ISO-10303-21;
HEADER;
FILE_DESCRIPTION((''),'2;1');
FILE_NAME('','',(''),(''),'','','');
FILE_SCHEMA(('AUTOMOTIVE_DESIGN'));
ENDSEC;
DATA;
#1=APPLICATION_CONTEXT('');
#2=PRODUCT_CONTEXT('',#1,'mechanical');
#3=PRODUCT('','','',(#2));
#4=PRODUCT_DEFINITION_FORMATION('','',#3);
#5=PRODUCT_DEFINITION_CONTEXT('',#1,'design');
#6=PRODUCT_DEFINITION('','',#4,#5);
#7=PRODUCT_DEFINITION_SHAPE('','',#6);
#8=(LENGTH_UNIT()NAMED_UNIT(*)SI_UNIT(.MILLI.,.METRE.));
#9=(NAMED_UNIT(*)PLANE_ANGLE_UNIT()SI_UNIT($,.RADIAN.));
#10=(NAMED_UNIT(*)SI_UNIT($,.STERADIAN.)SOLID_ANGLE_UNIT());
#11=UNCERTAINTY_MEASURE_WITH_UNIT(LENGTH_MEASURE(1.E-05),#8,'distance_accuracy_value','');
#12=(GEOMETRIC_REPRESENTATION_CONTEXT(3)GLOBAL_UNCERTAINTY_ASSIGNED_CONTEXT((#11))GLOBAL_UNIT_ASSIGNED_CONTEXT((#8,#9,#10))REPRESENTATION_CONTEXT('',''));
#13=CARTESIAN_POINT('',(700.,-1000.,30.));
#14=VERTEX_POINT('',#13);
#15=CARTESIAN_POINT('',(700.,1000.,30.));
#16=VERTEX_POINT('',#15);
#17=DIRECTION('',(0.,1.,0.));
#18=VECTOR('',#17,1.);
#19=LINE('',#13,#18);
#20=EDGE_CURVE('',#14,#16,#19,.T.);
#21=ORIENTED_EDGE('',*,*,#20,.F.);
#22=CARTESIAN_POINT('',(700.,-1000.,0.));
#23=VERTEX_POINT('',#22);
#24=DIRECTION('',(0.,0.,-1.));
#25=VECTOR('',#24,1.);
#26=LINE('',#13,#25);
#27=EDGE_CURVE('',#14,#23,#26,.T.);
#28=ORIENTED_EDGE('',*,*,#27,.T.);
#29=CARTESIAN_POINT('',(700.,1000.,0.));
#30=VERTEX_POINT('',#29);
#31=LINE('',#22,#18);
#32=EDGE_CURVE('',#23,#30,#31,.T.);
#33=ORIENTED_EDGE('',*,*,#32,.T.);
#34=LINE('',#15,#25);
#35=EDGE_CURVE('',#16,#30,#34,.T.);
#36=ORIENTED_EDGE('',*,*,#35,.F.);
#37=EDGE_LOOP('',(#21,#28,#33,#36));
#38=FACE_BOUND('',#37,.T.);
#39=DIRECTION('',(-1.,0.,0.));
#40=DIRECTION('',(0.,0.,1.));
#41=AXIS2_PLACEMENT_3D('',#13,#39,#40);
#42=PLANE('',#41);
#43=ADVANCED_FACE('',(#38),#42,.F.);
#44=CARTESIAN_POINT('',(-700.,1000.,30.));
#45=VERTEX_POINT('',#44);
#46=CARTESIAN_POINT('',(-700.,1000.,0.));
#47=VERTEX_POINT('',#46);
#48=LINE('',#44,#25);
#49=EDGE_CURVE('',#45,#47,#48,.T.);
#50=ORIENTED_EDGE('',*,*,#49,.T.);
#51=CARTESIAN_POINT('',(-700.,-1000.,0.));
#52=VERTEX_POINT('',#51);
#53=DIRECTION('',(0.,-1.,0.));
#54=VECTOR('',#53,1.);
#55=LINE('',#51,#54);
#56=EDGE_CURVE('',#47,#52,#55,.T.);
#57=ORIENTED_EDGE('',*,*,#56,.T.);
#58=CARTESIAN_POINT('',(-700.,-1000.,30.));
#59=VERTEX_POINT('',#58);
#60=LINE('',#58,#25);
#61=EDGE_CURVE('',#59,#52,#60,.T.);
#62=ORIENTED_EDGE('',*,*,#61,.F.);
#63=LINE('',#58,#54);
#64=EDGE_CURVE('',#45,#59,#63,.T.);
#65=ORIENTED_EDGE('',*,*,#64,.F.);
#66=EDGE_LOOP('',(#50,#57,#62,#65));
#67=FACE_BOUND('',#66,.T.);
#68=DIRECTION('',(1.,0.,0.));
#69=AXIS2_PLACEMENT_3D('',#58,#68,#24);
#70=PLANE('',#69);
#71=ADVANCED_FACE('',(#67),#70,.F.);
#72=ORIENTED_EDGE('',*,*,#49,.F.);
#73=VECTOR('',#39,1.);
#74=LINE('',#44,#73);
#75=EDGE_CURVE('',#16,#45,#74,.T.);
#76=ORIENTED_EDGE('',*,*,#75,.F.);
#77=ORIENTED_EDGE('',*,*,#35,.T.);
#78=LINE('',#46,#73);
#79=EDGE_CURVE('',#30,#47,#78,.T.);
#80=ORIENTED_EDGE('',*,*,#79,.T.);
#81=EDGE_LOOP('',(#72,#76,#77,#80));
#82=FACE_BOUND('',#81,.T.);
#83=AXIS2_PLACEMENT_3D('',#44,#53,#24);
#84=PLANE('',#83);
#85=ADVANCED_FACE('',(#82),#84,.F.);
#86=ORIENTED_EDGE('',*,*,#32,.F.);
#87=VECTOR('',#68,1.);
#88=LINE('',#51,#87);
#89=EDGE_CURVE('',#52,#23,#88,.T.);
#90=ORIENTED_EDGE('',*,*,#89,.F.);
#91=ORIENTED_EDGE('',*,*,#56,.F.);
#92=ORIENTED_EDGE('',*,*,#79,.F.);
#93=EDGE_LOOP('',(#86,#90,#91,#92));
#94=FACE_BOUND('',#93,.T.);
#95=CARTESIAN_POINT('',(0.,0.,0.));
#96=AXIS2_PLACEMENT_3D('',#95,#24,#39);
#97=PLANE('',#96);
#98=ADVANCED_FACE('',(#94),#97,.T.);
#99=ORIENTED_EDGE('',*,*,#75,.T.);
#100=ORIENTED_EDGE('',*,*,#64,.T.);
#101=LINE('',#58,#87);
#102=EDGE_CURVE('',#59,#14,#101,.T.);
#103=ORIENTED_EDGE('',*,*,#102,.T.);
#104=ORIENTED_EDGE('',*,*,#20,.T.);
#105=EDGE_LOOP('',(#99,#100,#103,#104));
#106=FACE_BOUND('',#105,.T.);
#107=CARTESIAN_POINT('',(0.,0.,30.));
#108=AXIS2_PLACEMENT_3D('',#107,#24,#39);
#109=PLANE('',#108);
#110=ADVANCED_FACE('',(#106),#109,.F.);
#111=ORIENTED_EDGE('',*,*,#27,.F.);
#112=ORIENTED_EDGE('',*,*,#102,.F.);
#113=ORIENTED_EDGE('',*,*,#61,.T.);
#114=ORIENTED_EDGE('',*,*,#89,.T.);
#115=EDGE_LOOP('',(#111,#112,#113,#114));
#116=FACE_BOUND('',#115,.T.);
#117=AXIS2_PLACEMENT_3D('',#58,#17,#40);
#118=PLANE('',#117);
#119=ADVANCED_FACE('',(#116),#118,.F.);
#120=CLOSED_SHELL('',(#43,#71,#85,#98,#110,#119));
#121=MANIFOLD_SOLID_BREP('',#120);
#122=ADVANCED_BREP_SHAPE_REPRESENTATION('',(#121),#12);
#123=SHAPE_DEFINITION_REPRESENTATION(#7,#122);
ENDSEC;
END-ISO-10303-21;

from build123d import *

# Parameters (mm, degrees)
SKETCH1_W           = 1400
SKETCH1_H           = 2000
BOSS_EXTRUDE1_DEPTH = 30


with BuildPart() as part:
    # Sketch1 → Boss-Extrude1 (new body)
    with BuildSketch(Plane.XY):
        Rectangle(SKETCH1_W, SKETCH1_H)
    extrude(amount=BOSS_EXTRUDE1_DEPTH)


solid = part.part
